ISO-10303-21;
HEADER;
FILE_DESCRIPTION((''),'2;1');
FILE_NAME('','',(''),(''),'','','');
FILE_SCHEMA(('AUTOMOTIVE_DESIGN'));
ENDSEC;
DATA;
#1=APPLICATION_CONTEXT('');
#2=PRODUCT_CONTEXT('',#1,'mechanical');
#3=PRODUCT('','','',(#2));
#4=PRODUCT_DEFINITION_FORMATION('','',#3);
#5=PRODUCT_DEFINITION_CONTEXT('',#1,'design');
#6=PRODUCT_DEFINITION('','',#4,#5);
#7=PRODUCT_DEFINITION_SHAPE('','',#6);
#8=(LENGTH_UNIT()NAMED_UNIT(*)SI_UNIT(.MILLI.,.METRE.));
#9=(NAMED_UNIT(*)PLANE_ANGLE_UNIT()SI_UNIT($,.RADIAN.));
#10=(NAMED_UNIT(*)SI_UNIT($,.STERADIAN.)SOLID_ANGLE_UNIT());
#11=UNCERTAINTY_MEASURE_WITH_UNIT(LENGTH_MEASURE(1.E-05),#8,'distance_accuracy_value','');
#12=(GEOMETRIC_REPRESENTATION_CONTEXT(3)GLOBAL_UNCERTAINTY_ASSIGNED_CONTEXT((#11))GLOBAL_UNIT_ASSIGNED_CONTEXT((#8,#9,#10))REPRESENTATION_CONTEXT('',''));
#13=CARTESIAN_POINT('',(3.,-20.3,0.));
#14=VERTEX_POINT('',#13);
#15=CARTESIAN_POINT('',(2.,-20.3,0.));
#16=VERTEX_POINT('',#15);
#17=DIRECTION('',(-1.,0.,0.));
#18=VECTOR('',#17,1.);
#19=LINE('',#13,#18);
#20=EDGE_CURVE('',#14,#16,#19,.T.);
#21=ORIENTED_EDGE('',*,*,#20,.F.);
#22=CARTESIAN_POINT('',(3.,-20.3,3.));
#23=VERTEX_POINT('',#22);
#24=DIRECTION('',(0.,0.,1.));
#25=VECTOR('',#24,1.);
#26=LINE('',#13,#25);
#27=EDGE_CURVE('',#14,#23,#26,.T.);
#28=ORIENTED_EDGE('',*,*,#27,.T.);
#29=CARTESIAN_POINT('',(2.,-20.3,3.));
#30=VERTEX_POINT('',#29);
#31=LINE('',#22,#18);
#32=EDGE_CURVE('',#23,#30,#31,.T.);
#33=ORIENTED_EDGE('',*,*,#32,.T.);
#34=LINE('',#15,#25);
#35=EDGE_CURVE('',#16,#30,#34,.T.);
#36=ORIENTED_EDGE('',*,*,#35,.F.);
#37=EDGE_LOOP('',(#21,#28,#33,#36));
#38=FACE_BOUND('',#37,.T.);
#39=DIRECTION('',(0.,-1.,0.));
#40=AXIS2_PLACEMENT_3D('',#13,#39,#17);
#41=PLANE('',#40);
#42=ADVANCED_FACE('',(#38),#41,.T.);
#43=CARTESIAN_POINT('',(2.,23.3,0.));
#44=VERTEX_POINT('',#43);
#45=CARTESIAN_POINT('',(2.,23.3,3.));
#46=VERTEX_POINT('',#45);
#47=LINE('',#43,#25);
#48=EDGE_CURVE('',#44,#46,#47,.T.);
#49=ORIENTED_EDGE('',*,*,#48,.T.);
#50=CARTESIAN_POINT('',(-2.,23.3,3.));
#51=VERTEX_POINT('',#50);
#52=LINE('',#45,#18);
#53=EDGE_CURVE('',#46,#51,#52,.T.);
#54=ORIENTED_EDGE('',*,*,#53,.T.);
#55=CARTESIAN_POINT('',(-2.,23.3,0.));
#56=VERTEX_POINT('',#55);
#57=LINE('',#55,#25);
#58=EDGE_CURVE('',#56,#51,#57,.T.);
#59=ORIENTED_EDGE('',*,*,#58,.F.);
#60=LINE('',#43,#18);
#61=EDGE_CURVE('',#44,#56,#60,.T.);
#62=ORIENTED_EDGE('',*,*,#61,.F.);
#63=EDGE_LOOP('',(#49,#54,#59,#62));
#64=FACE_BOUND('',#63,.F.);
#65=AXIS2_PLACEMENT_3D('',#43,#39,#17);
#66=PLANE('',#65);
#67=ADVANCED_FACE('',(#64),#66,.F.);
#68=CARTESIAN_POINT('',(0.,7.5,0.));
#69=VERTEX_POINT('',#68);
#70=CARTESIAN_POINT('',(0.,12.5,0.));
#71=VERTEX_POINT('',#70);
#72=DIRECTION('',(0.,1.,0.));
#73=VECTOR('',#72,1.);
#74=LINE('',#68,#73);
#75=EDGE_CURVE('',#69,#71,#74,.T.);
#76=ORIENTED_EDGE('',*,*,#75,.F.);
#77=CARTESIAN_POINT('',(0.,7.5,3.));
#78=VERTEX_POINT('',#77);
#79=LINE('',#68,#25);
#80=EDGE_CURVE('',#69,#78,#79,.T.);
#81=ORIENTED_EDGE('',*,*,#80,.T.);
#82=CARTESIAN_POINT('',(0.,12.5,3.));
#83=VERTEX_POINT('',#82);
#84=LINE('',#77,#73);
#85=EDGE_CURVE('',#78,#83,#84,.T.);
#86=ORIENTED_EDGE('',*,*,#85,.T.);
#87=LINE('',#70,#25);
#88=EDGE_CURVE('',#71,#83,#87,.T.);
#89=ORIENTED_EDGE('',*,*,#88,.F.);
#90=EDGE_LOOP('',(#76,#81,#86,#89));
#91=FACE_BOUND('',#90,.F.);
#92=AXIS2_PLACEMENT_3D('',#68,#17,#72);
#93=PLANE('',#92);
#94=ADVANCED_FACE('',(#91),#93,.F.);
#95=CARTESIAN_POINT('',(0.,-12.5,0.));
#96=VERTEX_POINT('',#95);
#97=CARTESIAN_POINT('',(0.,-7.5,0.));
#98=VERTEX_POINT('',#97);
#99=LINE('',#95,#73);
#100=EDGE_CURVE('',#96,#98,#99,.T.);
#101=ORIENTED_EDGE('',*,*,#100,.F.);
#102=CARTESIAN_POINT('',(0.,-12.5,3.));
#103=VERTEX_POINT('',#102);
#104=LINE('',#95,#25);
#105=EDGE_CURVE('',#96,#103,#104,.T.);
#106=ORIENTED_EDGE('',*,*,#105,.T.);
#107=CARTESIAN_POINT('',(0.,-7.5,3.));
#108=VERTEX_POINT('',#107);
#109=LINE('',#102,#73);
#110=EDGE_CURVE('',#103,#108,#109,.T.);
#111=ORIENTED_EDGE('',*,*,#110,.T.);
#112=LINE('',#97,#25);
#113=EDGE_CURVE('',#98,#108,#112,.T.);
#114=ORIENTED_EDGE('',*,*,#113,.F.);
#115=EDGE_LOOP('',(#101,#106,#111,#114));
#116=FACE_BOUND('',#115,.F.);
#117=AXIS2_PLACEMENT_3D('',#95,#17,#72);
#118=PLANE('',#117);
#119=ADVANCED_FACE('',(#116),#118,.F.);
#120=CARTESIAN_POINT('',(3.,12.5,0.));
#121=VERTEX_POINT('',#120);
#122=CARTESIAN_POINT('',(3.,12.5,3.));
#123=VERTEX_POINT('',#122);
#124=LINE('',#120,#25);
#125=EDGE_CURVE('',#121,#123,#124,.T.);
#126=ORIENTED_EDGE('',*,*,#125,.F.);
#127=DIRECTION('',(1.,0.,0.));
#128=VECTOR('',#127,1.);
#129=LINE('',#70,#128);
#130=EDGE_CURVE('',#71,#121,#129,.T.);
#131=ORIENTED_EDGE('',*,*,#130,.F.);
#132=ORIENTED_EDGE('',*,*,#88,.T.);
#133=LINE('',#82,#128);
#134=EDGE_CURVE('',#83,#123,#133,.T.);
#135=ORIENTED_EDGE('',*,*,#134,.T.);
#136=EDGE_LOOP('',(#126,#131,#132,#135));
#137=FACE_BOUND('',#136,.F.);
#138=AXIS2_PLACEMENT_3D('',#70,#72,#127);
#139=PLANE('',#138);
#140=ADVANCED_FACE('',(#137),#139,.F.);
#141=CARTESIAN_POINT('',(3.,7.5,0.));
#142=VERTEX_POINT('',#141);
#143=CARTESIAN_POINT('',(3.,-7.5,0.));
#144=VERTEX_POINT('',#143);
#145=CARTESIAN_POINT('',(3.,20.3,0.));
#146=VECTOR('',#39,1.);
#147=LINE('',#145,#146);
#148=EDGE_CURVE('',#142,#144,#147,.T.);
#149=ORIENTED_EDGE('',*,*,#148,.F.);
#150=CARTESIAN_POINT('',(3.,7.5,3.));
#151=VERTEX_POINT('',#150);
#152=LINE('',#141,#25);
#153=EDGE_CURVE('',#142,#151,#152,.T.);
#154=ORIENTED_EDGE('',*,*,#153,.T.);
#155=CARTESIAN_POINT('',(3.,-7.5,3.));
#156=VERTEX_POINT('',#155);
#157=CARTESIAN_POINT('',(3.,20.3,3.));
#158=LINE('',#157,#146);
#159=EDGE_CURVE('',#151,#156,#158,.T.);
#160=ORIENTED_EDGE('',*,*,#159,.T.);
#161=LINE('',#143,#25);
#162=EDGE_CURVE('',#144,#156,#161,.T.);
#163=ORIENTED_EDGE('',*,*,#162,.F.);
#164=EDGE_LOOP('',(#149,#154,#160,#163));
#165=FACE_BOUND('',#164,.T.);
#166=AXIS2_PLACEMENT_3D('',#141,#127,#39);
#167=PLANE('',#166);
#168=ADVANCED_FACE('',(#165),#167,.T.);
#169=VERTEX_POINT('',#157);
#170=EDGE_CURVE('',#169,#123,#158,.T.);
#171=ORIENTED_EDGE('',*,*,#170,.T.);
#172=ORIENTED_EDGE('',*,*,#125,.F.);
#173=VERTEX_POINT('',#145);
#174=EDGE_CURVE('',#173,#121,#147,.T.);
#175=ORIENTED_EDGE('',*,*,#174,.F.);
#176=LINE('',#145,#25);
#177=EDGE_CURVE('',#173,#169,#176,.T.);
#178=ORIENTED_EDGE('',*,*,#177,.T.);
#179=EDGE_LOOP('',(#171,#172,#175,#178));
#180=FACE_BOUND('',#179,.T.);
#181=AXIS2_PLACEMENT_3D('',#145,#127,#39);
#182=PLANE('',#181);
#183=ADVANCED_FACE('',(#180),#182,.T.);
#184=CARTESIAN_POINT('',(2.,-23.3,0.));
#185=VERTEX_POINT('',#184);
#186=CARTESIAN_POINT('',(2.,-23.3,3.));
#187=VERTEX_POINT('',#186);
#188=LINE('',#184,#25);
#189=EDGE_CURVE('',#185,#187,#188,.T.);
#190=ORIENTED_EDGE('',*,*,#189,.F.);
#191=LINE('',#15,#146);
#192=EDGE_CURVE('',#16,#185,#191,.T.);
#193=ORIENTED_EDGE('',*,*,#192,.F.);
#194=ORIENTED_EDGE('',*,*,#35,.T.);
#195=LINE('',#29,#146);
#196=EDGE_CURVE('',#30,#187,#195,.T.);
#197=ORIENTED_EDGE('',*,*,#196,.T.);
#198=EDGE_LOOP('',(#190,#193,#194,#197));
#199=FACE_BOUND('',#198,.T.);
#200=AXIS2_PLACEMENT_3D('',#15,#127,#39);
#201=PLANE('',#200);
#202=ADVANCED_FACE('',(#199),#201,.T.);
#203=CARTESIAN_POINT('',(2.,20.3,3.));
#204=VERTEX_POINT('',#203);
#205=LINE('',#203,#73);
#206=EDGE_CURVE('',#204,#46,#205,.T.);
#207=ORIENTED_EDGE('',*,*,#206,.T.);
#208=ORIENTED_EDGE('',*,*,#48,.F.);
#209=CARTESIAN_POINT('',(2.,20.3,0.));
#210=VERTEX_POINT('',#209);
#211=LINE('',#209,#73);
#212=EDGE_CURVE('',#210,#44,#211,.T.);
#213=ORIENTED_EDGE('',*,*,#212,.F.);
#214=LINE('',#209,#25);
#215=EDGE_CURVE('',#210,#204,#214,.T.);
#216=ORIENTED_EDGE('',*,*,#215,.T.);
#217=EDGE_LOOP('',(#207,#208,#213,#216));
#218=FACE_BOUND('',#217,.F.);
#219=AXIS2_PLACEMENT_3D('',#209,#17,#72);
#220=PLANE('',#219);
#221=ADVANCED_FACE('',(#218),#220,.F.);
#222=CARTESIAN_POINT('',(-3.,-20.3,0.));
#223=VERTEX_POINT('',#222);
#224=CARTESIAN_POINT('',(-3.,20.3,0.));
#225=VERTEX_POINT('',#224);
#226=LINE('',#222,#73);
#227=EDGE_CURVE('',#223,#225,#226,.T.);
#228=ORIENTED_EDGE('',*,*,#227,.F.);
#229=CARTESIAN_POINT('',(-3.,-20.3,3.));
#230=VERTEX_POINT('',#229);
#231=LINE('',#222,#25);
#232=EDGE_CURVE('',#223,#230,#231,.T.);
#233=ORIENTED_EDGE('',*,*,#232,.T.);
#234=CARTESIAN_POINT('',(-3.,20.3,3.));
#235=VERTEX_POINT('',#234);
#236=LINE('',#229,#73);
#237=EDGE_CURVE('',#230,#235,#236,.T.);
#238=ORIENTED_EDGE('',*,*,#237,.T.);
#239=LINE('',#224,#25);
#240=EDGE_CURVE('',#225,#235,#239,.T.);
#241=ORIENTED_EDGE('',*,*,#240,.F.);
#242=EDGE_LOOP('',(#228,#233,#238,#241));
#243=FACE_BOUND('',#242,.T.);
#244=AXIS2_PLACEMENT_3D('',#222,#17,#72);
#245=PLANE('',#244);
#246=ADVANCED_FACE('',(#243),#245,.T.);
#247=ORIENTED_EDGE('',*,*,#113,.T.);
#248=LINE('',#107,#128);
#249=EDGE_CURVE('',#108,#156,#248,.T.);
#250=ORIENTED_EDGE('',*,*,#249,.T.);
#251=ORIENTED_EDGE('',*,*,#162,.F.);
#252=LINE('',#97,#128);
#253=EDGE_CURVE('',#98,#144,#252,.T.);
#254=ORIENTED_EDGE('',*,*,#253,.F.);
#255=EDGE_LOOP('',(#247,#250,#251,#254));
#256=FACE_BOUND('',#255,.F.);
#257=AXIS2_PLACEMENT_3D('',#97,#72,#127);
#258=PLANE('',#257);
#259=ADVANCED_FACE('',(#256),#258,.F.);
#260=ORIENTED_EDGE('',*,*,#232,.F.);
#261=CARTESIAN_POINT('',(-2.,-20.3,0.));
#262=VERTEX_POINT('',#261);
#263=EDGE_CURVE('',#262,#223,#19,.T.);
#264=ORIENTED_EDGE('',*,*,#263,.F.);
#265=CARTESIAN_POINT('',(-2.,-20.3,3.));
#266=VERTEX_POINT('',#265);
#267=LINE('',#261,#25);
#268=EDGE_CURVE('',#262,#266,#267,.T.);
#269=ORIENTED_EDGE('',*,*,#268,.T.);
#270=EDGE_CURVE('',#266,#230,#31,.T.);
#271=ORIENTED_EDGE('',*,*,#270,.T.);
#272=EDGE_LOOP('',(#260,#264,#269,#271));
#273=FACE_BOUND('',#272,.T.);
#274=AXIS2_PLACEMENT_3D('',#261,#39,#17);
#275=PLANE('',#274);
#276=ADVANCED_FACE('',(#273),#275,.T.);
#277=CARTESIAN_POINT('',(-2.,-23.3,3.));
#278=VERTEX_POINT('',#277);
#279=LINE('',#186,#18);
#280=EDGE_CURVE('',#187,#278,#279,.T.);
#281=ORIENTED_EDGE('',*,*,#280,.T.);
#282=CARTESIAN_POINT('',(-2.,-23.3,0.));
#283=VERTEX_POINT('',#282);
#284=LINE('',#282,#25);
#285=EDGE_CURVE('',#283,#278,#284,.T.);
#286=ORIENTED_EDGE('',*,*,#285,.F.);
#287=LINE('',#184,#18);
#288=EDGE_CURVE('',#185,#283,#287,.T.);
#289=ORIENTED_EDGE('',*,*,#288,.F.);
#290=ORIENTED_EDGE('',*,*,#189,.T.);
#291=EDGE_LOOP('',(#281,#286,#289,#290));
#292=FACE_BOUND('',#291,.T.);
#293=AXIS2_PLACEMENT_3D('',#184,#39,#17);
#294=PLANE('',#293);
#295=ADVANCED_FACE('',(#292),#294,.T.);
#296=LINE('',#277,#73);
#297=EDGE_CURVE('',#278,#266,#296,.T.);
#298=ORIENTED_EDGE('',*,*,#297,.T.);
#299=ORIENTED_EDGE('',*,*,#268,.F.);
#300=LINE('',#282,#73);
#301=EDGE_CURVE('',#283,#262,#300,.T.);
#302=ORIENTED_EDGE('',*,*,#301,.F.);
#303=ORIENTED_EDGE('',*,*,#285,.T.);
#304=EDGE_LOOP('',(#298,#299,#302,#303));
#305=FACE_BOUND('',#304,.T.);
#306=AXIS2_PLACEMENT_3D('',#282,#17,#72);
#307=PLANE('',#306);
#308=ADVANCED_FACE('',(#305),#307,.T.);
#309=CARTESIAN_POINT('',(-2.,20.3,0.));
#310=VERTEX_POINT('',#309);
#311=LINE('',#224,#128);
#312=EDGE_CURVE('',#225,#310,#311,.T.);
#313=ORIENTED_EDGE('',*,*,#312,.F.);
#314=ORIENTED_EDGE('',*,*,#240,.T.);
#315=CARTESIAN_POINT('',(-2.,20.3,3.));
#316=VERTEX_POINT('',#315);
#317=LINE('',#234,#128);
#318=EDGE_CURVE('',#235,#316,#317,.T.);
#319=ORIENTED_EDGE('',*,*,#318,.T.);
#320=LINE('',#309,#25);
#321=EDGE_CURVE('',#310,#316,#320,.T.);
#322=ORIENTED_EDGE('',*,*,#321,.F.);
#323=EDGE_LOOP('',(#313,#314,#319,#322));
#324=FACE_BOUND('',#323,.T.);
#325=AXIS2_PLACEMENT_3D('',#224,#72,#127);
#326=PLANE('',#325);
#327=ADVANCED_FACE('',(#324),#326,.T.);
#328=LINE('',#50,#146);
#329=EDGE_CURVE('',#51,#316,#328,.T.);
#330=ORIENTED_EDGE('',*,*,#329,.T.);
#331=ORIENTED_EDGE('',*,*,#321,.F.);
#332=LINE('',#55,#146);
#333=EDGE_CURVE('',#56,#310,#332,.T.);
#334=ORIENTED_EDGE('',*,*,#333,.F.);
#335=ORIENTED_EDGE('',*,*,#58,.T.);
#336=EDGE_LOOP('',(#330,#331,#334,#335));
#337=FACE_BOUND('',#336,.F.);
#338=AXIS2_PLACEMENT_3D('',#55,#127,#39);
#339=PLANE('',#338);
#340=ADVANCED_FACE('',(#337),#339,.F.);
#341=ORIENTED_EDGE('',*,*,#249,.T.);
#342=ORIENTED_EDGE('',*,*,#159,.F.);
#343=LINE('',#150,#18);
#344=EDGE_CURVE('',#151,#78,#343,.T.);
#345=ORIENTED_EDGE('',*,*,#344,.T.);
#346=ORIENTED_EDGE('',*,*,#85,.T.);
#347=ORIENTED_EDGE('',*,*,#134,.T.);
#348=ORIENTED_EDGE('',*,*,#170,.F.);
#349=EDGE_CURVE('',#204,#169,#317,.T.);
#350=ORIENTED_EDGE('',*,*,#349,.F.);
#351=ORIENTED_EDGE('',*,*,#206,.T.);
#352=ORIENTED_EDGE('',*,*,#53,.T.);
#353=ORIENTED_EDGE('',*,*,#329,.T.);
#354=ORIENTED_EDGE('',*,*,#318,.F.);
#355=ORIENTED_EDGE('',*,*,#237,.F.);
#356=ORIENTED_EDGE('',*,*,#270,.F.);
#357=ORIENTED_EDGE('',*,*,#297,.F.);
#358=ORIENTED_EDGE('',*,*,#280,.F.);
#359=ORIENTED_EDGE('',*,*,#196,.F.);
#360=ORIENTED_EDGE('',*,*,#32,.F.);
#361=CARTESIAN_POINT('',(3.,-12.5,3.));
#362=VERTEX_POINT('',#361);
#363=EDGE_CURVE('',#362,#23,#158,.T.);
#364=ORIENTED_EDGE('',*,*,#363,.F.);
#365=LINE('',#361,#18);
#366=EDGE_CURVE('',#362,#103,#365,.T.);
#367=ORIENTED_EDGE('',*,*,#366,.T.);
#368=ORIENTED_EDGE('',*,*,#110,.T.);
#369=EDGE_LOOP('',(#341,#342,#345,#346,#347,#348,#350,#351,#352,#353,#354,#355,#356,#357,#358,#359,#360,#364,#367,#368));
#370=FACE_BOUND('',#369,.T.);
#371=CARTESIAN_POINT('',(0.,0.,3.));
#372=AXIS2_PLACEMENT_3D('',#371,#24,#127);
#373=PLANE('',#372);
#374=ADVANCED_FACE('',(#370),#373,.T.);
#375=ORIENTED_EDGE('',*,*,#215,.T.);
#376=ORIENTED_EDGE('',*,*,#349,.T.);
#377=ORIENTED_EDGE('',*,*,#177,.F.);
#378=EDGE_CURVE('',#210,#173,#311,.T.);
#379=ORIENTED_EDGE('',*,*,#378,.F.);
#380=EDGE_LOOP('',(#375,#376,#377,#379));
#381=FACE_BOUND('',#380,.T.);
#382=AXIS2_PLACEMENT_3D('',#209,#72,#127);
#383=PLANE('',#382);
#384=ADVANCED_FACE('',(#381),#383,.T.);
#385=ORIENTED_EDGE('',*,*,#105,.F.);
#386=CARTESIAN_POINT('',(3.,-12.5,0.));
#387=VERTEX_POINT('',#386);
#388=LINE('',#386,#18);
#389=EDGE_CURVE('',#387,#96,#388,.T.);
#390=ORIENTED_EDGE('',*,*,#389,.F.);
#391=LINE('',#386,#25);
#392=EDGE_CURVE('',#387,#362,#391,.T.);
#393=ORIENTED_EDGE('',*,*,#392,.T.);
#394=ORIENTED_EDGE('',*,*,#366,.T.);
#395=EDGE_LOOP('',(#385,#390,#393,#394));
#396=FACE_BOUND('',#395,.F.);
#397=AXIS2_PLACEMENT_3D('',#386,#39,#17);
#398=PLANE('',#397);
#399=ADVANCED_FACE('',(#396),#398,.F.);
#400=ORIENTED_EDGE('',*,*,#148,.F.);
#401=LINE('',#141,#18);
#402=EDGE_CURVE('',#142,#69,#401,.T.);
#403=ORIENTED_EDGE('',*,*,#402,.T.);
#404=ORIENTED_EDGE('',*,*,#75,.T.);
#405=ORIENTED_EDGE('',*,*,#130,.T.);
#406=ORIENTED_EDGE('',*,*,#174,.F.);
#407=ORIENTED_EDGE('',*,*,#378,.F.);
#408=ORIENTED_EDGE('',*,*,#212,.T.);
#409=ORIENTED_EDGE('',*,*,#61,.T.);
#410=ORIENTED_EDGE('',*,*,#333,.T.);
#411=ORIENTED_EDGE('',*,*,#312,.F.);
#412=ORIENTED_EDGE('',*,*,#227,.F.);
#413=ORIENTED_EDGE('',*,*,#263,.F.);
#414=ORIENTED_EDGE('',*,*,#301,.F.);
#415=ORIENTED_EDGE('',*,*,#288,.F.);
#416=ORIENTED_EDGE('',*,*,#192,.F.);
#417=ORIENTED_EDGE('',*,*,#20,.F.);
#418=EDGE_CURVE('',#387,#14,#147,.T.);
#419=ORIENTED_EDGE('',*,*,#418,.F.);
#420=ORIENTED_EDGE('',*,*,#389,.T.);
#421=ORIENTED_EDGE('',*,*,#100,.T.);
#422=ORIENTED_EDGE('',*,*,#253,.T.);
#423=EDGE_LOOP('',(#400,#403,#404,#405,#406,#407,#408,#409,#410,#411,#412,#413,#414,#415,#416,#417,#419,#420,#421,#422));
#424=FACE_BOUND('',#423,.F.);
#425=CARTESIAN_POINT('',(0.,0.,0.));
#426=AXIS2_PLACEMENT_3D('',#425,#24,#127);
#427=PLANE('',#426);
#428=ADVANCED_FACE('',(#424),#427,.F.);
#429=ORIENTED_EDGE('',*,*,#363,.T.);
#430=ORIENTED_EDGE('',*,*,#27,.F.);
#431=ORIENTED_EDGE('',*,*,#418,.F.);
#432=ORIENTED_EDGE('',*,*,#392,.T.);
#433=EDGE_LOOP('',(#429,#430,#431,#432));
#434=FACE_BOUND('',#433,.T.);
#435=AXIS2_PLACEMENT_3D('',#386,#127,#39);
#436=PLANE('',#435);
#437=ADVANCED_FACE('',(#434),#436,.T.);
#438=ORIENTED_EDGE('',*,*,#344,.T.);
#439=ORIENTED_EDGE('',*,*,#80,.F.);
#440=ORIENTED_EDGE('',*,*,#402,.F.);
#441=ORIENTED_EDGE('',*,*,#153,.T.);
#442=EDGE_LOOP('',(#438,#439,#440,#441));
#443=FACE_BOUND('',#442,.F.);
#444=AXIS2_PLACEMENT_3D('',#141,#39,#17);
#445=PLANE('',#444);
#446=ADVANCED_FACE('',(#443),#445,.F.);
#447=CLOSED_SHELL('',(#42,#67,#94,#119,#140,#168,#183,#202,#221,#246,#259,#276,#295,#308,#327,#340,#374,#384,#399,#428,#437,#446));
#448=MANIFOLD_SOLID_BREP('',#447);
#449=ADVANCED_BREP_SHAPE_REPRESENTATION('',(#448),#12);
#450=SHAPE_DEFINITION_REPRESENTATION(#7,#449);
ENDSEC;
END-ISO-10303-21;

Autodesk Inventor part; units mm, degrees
ref_plane "YZ Plane" through (0, 0, 0) normal (1, 0, 0) x (0, 1, 0)
ref_plane "XZ Plane" through (0, 0, 0) normal (0, 1, 0) x (-1, 0, 0)
ref_plane "XY Plane" through (0, 0, 0) normal (0, 0, 1) x (1, 0, 0)
sketch "Sketch1" plane through (0, 0, 0) normal (0, 0, 1) x (1, 0, 0)
  line L0 (-3, 20.3) -> (3, 20.3)
  line L1 (3, 20.3) -> (3, -20.3)
  line L2 (3, -20.3) -> (-3, -20.3)
  line L3 (-3, -20.3) -> (-3, 20.3)
  line L4 (-2, -20.3) -> (2, -20.3)
  line L5 (2, -20.3) -> (2, -23.3)
  line L6 (2, -23.3) -> (-2, -23.3)
  line L7 (-2, -23.3) -> (-2, -20.3)
  line L8 (-2, 20.3) -> (2, 20.3)
  line L9 (2, 20.3) -> (2, 23.3)
  line L10 (2, 23.3) -> (-2, 23.3)
  line L11 (-2, 23.3) -> (-2, 20.3)
  line L12 (3, -12.5) -> (0, -12.5)
  line L13 (0, -12.5) -> (0, -7.5)
  line L14 (0, -7.5) -> (3, -7.5)
  line L15 (3, -7.5) -> (3, -12.5)
  line L16 (3, 7.5) -> (0, 7.5)
  line L17 (0, 7.5) -> (0, 12.5)
  line L18 (0, 12.5) -> (3, 12.5)
  line L19 (3, 12.5) -> (3, 7.5)
  point P0 (0, 0)
  point P1 (0, 23.3)
  point P2 (0, 20.3)
  point P3 (0, 20.3)
  point P4 (0, -23.3)
  point P5 (3, 0)
  point P6 (3, -10)
  point P7 (3, 10)
  dimension "d0" = 46.6
  dimension "d1" = 3
  dimension "d2" = 4
  dimension "d3" = 6
  dimension "d6" = 5
  dimension "d7" = 10
  dimension "d8" = 10
  dimension "d9" = 3
extrude "Extrusion1" add sketch "Sketch1" along normal blind 3 contours L0 L1 L18 L17 L16 L14 L13 L12 L2 L3 | L11 L10 L9 L0 | L2 L5 L6 L7
properties material "MDF Medium Density Fiberboard"
